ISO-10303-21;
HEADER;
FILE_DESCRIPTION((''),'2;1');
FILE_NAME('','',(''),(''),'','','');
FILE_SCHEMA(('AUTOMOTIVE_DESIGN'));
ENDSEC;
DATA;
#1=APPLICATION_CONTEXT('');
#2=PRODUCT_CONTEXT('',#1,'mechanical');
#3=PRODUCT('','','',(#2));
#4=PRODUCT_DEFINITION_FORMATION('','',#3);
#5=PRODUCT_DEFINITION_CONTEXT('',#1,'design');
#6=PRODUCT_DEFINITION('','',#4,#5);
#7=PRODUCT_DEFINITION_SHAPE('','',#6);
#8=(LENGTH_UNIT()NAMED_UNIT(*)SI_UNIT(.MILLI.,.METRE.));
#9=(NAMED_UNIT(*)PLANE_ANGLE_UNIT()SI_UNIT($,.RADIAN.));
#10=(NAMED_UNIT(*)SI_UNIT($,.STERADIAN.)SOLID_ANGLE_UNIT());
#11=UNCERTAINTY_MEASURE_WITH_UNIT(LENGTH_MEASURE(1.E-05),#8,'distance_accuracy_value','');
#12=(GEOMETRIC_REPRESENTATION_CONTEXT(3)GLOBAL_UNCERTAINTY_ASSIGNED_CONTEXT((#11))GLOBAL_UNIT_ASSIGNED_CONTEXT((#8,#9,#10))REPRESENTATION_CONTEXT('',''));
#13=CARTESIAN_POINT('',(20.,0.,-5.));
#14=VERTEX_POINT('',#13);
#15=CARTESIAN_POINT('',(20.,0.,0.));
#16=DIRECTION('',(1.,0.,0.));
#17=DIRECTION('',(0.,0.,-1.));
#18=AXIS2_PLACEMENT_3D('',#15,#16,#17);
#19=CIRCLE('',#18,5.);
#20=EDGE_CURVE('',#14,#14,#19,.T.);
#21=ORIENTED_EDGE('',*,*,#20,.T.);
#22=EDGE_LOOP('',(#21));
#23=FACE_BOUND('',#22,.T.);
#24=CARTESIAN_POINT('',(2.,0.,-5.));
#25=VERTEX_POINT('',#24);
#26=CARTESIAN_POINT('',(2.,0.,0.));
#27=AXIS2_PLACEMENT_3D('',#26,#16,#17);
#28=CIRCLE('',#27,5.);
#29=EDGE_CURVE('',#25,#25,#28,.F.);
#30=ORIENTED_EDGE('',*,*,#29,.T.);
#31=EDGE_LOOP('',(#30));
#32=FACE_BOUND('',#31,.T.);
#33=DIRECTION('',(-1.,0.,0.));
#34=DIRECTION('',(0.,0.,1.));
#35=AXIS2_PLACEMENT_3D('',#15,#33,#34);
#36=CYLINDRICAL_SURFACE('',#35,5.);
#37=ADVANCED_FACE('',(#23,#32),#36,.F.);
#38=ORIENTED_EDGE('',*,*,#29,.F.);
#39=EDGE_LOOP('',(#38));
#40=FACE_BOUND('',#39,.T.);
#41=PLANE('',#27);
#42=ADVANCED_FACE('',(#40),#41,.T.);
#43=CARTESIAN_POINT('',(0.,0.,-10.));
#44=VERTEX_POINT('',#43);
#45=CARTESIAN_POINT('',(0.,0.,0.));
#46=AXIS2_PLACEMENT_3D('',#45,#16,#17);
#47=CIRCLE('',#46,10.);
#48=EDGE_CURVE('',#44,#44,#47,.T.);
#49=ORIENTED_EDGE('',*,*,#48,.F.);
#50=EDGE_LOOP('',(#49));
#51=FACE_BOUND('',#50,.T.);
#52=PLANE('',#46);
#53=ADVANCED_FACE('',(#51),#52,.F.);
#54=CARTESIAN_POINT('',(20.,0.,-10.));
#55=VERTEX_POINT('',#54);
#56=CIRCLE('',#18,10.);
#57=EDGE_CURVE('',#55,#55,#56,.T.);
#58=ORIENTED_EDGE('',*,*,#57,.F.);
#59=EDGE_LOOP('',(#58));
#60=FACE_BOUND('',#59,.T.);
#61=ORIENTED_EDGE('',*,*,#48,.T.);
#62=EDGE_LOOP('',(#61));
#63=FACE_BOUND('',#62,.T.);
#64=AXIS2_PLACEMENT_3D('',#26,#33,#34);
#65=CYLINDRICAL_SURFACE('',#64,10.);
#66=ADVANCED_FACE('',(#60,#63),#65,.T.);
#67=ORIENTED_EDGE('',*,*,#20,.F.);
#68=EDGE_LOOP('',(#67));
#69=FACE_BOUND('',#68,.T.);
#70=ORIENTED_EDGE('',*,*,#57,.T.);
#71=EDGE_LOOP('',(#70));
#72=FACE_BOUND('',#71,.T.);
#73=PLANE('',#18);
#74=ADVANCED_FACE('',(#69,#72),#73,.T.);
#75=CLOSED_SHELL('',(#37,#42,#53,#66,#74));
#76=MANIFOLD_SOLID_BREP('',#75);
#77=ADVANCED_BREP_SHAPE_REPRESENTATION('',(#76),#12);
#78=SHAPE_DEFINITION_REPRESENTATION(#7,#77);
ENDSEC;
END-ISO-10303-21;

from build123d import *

# Parameters (mm, degrees)
SKETCH1_R           = 10
BOSS_EXTRUDE1_DEPTH = 2
SKETCH2_R           = 10
SKETCH2_R_2         = 5
BOSS_EXTRUDE2_DEPTH = 18


with BuildPart() as part:
    # Sketch1 → Boss-Extrude1 (new body)
    with BuildSketch(Plane(origin=(0, 0, 0), x_dir=(0, 0, -1), z_dir=(1, 0, 0))):
        Circle(SKETCH1_R)
    extrude(amount=BOSS_EXTRUDE1_DEPTH)

    # Sketch2 → Boss-Extrude2 (add)
    with BuildSketch(Plane(origin=(2, 0, 0), x_dir=(0, 0, -1), z_dir=(1, 0, 0))):
        Circle(SKETCH2_R)
        Circle(SKETCH2_R_2, mode=Mode.SUBTRACT)
    extrude(amount=BOSS_EXTRUDE2_DEPTH)


solid = part.part
